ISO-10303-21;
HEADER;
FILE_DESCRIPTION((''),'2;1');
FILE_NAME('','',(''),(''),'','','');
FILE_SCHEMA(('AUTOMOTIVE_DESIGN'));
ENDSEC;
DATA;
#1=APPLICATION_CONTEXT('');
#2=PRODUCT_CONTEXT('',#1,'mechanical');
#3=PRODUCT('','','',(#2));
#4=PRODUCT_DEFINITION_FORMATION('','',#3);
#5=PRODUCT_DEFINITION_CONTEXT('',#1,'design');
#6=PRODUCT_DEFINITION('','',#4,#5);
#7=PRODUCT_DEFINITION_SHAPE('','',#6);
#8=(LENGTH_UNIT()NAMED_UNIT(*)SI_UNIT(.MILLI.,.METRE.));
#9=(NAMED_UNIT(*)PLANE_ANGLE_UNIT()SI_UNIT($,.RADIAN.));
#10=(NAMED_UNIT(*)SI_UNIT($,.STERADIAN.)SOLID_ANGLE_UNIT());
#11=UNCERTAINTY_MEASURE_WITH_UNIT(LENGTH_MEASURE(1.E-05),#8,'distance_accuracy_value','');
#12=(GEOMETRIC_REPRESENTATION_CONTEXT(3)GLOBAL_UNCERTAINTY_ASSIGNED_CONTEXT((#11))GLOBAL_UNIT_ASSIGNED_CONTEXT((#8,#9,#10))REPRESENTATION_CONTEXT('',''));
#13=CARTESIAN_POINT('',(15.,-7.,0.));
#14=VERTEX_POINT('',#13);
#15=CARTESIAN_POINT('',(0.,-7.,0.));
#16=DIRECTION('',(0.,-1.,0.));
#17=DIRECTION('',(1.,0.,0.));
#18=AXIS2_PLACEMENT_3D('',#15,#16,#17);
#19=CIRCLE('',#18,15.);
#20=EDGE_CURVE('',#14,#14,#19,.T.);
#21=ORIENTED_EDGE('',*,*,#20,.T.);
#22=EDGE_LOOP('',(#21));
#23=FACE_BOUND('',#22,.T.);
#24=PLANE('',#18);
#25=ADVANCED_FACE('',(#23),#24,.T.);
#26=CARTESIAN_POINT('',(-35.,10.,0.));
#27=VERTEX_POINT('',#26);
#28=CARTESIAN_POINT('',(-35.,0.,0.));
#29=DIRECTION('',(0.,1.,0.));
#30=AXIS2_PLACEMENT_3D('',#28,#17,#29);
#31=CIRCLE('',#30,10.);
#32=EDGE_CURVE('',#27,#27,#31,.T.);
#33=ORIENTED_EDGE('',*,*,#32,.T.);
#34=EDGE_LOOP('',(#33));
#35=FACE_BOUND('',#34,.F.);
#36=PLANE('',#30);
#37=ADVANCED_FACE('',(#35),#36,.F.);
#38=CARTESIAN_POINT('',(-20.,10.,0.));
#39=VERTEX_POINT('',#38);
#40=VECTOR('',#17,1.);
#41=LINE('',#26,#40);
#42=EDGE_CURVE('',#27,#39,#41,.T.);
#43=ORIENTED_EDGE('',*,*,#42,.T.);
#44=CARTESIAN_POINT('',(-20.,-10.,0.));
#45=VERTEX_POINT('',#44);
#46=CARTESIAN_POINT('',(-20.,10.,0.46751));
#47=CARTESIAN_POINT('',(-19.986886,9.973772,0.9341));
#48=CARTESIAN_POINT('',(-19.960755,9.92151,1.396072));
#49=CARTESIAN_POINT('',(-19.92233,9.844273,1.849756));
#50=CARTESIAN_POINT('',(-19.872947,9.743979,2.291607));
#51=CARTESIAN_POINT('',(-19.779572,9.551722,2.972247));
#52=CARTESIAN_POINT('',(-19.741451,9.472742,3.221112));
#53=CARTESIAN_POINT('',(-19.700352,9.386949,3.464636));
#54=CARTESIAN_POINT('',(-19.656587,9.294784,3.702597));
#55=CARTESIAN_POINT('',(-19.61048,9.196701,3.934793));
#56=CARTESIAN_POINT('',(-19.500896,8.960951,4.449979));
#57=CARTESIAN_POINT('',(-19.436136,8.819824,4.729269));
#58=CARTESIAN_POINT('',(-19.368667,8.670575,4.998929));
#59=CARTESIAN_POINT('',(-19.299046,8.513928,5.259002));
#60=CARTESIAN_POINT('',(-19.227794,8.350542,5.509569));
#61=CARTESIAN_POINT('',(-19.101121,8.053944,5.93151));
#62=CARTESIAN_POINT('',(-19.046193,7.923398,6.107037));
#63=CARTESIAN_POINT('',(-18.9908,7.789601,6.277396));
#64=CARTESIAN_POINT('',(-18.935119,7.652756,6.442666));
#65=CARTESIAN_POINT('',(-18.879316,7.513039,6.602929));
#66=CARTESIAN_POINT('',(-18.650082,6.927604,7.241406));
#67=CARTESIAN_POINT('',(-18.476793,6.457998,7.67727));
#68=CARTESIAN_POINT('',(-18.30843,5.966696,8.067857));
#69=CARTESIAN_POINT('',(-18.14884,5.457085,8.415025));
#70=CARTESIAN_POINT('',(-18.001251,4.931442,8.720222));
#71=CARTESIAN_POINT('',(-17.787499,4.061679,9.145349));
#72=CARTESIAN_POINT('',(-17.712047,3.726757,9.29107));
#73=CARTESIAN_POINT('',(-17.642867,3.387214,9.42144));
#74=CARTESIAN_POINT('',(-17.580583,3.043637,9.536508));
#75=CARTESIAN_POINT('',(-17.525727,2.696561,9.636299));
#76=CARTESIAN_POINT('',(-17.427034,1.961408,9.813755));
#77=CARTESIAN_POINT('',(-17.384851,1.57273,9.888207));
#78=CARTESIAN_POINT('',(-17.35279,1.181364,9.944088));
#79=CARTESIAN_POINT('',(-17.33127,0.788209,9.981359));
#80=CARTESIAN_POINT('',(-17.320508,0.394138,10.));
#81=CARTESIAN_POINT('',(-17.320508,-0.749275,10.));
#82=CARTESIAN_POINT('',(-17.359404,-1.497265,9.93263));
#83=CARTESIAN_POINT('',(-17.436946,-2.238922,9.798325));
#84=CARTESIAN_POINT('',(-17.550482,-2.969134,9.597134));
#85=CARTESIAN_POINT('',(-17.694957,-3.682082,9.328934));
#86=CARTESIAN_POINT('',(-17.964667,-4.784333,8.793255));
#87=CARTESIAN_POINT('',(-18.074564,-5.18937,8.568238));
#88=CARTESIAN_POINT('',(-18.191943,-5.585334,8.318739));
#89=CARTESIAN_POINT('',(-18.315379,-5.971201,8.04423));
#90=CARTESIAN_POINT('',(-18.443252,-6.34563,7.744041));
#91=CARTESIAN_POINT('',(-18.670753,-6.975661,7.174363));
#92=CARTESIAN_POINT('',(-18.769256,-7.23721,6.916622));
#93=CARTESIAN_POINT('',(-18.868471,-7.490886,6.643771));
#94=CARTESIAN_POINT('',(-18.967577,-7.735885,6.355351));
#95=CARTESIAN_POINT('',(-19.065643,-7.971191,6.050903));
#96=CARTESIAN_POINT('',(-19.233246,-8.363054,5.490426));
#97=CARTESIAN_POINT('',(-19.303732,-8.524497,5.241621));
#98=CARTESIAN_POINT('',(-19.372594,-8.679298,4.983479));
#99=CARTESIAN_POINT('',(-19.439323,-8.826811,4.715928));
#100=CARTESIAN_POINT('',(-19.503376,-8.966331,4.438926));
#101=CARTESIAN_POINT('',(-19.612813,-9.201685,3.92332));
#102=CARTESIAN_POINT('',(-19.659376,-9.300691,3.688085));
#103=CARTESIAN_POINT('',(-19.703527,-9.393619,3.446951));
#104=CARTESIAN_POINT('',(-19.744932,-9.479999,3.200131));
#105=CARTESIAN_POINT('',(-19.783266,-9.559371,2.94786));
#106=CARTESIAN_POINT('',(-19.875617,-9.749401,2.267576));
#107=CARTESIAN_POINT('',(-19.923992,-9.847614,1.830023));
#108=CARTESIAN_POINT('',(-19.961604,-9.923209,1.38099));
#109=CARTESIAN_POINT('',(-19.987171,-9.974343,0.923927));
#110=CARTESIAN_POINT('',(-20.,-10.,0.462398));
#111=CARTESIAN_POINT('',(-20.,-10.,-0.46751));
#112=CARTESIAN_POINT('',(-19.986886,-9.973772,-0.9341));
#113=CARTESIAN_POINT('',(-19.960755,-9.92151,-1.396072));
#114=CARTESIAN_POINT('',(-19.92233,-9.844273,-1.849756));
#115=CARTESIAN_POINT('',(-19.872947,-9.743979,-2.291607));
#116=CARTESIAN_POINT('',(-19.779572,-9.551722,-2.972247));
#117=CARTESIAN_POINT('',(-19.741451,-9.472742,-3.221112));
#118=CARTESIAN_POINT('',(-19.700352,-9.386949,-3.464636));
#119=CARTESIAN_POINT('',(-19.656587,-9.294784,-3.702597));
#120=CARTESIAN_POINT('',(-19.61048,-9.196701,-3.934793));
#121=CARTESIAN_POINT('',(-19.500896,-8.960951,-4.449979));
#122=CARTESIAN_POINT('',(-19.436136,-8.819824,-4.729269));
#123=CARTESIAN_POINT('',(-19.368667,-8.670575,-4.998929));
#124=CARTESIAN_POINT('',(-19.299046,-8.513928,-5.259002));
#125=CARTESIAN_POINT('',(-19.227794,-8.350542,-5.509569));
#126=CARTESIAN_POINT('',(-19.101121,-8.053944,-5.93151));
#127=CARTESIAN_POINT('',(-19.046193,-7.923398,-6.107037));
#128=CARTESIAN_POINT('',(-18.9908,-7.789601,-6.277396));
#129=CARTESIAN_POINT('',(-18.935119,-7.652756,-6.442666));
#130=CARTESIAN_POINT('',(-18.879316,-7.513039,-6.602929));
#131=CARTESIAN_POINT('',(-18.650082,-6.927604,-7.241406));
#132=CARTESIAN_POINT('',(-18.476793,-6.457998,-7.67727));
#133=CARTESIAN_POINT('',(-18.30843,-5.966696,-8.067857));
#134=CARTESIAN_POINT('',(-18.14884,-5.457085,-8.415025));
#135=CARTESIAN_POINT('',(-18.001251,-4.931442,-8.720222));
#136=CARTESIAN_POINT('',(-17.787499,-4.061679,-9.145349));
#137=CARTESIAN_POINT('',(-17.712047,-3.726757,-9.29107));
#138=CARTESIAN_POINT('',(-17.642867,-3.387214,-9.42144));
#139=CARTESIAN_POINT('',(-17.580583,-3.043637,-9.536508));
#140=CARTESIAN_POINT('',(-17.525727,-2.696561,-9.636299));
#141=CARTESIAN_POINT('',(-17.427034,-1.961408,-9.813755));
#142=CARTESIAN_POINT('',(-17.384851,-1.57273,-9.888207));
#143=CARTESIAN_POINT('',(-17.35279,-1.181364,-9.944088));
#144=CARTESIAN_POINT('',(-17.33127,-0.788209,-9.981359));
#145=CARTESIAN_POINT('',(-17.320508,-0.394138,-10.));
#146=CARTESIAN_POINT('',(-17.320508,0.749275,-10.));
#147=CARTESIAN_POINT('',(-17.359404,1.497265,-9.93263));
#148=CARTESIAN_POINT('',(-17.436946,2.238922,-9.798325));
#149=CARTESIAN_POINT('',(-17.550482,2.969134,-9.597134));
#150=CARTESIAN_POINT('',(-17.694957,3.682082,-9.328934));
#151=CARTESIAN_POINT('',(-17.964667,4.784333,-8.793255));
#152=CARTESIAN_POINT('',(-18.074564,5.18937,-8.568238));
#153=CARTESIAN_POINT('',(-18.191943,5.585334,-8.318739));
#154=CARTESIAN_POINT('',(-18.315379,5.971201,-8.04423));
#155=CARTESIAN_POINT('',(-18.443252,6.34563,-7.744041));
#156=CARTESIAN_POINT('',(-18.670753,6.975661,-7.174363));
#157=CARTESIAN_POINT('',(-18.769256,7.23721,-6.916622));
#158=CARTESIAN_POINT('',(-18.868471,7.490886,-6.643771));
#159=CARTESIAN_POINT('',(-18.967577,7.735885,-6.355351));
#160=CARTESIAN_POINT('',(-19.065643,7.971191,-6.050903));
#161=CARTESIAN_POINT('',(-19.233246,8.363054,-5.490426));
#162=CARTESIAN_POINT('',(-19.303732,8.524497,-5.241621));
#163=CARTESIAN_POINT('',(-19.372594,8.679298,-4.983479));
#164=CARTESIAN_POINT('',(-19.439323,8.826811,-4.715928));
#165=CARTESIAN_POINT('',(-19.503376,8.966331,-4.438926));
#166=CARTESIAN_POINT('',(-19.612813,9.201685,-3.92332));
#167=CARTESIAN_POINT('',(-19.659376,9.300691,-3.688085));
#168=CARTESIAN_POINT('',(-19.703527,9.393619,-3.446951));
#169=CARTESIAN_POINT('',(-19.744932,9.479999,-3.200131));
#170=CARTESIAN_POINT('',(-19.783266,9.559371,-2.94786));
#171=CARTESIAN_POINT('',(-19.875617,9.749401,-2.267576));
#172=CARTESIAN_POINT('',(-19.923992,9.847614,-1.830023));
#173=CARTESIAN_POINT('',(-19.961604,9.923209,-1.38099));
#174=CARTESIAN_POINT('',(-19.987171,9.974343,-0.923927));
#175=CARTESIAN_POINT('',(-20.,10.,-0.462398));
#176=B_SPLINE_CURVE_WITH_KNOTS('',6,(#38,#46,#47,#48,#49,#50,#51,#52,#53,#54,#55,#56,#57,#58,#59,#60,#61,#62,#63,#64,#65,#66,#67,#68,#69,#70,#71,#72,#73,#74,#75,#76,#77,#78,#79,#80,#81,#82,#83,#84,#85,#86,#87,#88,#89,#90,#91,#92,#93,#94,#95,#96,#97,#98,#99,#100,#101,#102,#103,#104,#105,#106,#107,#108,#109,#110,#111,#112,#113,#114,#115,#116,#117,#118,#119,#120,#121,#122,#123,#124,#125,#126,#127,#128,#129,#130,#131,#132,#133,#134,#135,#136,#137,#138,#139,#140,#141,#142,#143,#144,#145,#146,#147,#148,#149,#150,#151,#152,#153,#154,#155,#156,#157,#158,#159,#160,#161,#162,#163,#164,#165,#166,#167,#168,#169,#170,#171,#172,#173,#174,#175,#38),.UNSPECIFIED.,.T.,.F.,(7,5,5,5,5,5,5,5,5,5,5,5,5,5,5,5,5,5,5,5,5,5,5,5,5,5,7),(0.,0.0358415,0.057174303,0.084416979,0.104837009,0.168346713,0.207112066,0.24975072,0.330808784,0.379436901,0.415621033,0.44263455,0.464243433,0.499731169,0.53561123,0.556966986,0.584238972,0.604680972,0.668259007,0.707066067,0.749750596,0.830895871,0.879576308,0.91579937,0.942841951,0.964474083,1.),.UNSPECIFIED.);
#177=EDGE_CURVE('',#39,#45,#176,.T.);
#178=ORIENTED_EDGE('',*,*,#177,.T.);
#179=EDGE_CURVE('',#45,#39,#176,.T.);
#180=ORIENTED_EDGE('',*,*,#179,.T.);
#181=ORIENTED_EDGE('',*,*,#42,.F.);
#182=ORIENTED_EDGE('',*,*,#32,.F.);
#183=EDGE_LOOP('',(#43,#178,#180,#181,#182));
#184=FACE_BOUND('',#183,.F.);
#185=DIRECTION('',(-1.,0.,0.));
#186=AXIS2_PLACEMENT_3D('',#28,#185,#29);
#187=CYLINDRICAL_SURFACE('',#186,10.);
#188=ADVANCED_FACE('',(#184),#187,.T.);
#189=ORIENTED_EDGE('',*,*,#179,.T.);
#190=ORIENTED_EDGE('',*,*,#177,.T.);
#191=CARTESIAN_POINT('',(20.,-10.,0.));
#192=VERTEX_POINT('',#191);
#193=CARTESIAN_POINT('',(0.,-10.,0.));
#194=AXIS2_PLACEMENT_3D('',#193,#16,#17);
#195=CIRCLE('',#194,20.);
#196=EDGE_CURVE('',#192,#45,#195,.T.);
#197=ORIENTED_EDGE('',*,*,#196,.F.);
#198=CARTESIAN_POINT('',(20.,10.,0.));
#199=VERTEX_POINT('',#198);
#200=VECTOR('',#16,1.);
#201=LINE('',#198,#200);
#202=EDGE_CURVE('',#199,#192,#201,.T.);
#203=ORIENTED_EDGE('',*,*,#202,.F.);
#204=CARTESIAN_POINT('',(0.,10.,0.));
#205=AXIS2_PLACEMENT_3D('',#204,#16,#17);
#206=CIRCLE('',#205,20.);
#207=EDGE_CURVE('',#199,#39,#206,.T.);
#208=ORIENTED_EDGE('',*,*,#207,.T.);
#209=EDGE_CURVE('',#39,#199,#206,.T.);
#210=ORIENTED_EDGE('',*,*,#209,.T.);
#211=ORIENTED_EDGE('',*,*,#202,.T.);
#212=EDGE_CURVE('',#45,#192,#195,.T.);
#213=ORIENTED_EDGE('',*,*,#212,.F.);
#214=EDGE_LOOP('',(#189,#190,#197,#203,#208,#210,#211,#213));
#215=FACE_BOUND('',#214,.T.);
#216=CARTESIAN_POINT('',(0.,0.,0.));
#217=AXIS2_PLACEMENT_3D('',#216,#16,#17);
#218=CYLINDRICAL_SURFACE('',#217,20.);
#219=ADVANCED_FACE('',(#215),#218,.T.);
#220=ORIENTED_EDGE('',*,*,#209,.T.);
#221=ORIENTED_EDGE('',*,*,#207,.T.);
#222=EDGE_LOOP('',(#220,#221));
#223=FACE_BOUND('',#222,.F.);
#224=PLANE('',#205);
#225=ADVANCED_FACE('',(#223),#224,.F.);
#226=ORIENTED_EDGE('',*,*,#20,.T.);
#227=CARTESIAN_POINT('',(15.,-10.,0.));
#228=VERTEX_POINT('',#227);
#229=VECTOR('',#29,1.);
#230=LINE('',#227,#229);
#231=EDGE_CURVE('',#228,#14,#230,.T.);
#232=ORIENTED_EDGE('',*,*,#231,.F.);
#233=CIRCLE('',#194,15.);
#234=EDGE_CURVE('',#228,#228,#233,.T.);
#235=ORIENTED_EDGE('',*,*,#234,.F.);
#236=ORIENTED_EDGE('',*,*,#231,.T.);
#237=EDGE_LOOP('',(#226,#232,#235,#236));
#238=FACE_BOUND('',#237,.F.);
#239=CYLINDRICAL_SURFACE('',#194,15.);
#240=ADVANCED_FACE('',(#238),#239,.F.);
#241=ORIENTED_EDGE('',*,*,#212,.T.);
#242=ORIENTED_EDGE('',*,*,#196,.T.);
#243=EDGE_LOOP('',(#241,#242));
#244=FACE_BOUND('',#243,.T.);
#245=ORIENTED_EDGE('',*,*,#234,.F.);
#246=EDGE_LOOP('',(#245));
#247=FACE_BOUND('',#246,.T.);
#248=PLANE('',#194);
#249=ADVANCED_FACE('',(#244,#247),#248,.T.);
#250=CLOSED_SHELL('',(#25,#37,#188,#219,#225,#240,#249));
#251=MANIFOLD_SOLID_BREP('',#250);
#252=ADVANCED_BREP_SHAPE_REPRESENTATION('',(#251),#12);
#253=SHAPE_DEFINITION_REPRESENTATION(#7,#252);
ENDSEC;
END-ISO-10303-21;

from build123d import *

# Parameters (mm, degrees)
F0_R     = 20
F1_DEPTH = 10
F3_R     = 10
F4_DEPTH = 18.6794920243
F5_R     = 15
F6_DEPTH = 3


with BuildPart() as f1:
    # F0 (on Front) → F1 (new body, symmetric)
    with BuildSketch(Plane.XZ):
        Circle(F0_R)
    extrude(amount=F1_DEPTH, both=True)

    # F3 (on offset) → F4 (join, up to face)
    with BuildSketch(Plane.YZ.offset(-35)):
        Circle(F3_R)
    extrude(amount=F4_DEPTH)

    # F5 (on face) → F6 (cut)
    with BuildSketch(Plane.XZ.offset(10)):
        Circle(F5_R)
    extrude(amount=-F6_DEPTH, mode=Mode.SUBTRACT)


solid = f1.part
